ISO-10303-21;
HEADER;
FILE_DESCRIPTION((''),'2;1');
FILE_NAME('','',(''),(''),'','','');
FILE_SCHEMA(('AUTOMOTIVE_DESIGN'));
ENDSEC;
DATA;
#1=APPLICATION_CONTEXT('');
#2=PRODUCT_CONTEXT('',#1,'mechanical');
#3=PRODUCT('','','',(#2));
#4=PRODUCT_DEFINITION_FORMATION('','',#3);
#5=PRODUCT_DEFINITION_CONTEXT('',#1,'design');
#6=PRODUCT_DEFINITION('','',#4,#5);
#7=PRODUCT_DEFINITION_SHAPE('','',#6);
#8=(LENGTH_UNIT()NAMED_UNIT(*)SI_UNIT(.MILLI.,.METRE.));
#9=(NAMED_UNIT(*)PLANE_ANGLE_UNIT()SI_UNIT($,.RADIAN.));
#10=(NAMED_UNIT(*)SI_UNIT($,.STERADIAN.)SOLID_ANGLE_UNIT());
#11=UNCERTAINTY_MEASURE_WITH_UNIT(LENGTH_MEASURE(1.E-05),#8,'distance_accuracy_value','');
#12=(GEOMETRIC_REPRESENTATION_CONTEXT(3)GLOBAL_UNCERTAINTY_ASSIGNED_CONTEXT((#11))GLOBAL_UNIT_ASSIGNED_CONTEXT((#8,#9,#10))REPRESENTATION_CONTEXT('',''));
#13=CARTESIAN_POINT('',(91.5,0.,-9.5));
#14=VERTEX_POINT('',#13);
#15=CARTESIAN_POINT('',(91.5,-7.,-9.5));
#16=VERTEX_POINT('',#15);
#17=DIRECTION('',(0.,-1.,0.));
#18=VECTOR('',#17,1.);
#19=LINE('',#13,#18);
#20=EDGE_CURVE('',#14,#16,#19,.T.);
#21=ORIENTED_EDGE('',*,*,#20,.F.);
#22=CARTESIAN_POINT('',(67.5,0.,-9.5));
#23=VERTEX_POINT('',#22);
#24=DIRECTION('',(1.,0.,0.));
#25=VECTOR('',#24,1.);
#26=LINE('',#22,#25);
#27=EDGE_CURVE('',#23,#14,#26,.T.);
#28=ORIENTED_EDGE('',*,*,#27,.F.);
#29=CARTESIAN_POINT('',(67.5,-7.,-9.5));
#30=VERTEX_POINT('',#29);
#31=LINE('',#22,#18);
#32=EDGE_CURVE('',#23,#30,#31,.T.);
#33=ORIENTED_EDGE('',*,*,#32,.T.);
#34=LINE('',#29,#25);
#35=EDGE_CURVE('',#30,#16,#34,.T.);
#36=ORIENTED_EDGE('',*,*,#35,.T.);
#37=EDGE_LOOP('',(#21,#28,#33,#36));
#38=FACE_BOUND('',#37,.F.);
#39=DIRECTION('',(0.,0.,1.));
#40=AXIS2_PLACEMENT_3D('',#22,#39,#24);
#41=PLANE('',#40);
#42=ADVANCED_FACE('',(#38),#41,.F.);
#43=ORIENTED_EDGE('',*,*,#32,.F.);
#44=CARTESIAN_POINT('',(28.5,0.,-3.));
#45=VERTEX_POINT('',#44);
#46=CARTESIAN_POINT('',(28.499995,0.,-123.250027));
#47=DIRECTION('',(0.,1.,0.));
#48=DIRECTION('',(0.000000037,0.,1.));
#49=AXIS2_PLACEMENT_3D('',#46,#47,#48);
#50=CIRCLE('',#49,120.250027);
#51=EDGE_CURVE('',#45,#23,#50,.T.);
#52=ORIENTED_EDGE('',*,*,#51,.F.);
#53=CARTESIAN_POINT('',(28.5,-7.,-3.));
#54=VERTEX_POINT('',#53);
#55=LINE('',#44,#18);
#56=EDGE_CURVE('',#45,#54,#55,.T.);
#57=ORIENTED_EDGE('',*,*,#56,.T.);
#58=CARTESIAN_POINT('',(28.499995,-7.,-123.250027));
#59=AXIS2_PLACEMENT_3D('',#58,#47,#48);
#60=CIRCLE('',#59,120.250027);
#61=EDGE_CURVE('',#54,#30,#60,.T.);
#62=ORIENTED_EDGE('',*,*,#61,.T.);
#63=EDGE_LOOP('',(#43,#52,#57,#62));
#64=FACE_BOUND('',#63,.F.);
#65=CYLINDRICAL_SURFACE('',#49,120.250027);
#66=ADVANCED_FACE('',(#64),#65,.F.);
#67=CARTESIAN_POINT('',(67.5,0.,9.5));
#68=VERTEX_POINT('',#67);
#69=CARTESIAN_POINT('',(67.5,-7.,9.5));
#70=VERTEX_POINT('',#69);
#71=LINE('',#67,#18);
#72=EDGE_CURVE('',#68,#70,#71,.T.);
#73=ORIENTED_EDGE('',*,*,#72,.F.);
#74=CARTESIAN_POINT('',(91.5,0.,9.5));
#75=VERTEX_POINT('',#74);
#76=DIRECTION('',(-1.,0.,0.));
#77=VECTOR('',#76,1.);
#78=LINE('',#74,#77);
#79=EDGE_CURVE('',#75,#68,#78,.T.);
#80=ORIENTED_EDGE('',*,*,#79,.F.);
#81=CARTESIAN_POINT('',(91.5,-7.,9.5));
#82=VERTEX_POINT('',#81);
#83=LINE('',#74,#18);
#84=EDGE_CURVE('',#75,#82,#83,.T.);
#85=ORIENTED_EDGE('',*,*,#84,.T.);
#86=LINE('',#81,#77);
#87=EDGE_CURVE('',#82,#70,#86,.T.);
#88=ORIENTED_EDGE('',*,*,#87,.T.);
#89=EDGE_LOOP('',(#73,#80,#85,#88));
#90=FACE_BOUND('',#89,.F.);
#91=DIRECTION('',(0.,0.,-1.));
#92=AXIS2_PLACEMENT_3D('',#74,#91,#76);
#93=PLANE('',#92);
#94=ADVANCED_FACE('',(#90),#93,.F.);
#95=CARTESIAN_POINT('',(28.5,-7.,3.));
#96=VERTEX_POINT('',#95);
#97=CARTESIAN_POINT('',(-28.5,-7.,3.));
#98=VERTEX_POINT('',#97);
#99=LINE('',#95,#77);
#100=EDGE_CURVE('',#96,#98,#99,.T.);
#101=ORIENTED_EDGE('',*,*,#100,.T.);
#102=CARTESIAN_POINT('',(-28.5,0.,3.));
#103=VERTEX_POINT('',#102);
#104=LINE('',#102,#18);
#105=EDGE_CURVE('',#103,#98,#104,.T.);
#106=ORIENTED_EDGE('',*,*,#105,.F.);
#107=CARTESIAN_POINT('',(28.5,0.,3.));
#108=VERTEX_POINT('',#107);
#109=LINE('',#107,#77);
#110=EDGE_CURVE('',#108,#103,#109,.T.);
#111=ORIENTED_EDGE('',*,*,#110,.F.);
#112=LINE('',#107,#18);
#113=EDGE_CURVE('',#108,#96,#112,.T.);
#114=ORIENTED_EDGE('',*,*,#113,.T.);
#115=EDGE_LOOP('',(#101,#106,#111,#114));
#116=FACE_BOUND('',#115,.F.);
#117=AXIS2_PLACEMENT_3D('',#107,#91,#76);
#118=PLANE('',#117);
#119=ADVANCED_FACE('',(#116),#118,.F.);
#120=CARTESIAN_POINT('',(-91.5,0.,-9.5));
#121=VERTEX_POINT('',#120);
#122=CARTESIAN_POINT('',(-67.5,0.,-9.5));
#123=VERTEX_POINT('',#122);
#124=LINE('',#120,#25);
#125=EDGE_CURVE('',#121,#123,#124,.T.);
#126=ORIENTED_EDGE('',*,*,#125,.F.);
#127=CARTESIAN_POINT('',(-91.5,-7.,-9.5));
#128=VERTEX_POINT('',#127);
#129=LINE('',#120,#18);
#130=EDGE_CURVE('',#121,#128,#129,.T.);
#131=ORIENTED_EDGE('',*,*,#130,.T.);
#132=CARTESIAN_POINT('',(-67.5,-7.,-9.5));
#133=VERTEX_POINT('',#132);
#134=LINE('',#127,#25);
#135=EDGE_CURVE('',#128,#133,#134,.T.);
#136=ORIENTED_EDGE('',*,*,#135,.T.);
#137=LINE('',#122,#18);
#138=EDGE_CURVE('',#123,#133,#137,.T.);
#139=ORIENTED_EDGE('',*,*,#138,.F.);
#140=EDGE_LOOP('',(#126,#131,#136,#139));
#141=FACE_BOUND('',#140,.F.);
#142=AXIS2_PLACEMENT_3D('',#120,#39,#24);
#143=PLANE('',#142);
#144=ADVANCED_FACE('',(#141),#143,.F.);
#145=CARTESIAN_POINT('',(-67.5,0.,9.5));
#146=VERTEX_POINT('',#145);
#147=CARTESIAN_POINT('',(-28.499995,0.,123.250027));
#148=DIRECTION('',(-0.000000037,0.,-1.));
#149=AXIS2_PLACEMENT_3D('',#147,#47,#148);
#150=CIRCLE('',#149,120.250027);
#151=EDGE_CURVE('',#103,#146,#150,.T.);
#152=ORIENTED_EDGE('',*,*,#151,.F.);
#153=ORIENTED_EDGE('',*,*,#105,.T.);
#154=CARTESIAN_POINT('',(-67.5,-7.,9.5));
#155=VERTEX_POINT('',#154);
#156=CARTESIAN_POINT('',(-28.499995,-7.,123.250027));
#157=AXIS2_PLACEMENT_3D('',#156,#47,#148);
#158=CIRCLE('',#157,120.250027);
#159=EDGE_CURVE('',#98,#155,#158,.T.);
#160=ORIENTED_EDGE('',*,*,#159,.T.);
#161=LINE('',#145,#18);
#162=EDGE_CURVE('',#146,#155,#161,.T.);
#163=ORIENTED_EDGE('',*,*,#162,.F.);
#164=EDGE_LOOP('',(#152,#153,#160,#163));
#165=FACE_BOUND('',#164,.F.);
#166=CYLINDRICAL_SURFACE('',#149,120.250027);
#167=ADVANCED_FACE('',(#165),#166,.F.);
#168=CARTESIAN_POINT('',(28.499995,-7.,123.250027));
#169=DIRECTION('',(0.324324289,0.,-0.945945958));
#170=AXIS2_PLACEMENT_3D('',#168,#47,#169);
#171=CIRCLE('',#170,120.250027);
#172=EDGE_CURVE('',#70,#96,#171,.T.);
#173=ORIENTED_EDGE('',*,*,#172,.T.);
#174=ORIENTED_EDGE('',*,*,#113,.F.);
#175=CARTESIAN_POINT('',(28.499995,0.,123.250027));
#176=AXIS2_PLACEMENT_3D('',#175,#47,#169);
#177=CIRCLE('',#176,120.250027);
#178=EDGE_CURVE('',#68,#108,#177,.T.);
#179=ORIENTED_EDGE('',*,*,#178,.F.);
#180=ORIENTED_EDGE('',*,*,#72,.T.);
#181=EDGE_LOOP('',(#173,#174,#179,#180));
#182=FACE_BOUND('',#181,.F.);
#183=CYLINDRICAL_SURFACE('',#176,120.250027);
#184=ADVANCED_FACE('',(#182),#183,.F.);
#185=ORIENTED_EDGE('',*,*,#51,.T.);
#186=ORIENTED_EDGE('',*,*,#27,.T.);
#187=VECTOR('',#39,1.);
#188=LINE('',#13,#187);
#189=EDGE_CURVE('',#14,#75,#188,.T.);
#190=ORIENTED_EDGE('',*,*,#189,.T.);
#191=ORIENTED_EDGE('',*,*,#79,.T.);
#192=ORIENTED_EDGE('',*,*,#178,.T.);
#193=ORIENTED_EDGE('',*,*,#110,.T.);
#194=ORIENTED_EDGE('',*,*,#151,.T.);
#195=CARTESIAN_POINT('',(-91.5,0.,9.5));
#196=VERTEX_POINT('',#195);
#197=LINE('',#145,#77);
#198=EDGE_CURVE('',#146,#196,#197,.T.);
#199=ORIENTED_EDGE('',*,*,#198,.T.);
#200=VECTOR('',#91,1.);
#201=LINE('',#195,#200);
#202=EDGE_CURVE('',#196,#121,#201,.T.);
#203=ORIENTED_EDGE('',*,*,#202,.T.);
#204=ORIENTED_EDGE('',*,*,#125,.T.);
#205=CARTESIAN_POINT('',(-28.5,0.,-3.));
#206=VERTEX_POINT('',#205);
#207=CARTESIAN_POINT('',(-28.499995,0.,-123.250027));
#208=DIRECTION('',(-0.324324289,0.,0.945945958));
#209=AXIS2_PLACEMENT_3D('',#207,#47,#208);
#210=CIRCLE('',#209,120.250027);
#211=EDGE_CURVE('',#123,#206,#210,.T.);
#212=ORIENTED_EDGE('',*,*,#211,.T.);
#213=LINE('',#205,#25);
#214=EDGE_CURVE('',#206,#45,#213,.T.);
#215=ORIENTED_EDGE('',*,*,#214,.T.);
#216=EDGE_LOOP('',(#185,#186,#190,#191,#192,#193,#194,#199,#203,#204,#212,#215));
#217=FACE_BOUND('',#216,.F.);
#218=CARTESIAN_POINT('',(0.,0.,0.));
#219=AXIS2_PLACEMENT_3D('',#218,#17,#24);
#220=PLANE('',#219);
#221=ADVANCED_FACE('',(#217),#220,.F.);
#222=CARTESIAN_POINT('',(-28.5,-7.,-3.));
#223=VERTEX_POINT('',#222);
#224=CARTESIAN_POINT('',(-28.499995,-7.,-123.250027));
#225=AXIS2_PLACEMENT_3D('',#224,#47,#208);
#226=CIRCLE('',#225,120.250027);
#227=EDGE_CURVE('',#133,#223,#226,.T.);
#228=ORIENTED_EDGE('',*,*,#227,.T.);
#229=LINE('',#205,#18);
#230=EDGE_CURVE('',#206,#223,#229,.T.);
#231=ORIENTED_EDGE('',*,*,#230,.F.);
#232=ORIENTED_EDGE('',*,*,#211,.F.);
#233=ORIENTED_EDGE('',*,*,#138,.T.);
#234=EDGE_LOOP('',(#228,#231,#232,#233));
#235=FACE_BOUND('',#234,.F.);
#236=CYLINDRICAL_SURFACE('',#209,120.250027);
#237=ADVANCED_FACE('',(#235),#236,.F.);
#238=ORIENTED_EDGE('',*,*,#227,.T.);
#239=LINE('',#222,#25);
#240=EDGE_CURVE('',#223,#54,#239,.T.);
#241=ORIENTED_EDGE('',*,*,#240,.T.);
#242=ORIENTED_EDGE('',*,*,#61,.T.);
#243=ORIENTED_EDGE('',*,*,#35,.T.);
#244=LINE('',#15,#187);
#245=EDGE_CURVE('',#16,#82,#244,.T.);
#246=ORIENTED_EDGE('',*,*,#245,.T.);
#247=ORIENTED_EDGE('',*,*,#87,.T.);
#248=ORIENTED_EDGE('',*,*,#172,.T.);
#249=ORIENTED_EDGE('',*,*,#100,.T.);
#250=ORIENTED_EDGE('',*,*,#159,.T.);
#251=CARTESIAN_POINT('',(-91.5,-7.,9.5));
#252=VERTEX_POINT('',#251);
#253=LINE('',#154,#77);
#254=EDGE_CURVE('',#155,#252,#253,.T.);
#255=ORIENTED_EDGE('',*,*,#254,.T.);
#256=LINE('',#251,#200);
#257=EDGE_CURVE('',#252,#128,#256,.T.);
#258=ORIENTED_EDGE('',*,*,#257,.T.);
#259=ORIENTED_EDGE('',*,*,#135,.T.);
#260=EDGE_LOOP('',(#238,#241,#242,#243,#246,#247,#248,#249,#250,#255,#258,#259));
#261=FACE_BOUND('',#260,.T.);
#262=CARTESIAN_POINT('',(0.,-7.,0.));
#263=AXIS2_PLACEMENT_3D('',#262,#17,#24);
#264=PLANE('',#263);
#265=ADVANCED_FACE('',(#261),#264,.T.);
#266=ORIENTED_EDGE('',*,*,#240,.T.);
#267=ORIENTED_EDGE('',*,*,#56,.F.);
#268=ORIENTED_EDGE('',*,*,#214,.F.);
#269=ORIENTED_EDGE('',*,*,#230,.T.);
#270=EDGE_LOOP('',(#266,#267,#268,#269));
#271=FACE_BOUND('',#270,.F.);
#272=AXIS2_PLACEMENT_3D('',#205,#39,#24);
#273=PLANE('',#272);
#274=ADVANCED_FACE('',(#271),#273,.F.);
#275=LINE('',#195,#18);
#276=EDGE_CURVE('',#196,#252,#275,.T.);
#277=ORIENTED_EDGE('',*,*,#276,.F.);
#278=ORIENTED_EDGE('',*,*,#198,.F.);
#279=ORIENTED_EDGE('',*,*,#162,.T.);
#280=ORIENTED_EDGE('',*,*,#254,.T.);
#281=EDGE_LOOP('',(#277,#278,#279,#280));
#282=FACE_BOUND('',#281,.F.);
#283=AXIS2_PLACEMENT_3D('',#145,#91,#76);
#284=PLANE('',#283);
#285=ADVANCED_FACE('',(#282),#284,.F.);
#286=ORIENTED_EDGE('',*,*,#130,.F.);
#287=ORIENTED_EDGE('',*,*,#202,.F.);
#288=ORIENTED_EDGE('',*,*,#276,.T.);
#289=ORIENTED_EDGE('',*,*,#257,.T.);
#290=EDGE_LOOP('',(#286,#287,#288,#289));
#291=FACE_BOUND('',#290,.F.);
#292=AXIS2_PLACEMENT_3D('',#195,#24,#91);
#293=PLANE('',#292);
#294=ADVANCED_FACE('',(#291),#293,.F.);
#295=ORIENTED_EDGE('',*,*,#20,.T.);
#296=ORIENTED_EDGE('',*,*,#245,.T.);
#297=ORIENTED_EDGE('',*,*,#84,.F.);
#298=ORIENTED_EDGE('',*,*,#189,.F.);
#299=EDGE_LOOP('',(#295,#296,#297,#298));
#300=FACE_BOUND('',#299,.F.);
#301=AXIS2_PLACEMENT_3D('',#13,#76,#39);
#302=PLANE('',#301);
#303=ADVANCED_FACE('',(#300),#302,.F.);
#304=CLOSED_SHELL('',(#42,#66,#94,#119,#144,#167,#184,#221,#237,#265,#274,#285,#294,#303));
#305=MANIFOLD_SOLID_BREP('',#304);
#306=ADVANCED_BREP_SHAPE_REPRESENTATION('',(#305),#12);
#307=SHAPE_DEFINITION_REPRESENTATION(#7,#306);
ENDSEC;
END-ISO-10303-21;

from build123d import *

# Parameters (mm, degrees)
F1_DEPTH = 7


with BuildPart() as f1:
    # F0 (on Front) → F1 (new body)
    with BuildSketch(Plane.XZ):
        with BuildLine():
            Line((28.5, 3), (0, 3))
            Line((0, 3), (-28.5, 3))
            ThreePointArc((-28.5, 3), (-48.268978, 4.636131), (-67.5, 9.5))
            Line((-67.5, 9.5), (-91.5, 9.5))
            Line((-91.5, 9.5), (-91.5, 0))
            Line((-91.5, 0), (-91.5, -9.5))
            Line((-91.5, -9.5), (-67.5, -9.5))
            ThreePointArc((-67.5, -9.5), (-48.268978, -4.636131), (-28.5, -3))
            Line((-28.5, -3), (0, -3))
            Line((0, -3), (28.5, -3))
            ThreePointArc((28.5, -3), (48.268978, -4.636131), (67.5, -9.5))
            Line((67.5, -9.5), (91.5, -9.5))
            Line((91.5, -9.5), (91.5, 0))
            Line((91.5, 0), (91.5, 9.5))
            Line((91.5, 9.5), (67.5, 9.5))
            ThreePointArc((67.5, 9.5), (48.268978, 4.636131), (28.5, 3))
        make_face()
    extrude(amount=F1_DEPTH)


solid = f1.part
